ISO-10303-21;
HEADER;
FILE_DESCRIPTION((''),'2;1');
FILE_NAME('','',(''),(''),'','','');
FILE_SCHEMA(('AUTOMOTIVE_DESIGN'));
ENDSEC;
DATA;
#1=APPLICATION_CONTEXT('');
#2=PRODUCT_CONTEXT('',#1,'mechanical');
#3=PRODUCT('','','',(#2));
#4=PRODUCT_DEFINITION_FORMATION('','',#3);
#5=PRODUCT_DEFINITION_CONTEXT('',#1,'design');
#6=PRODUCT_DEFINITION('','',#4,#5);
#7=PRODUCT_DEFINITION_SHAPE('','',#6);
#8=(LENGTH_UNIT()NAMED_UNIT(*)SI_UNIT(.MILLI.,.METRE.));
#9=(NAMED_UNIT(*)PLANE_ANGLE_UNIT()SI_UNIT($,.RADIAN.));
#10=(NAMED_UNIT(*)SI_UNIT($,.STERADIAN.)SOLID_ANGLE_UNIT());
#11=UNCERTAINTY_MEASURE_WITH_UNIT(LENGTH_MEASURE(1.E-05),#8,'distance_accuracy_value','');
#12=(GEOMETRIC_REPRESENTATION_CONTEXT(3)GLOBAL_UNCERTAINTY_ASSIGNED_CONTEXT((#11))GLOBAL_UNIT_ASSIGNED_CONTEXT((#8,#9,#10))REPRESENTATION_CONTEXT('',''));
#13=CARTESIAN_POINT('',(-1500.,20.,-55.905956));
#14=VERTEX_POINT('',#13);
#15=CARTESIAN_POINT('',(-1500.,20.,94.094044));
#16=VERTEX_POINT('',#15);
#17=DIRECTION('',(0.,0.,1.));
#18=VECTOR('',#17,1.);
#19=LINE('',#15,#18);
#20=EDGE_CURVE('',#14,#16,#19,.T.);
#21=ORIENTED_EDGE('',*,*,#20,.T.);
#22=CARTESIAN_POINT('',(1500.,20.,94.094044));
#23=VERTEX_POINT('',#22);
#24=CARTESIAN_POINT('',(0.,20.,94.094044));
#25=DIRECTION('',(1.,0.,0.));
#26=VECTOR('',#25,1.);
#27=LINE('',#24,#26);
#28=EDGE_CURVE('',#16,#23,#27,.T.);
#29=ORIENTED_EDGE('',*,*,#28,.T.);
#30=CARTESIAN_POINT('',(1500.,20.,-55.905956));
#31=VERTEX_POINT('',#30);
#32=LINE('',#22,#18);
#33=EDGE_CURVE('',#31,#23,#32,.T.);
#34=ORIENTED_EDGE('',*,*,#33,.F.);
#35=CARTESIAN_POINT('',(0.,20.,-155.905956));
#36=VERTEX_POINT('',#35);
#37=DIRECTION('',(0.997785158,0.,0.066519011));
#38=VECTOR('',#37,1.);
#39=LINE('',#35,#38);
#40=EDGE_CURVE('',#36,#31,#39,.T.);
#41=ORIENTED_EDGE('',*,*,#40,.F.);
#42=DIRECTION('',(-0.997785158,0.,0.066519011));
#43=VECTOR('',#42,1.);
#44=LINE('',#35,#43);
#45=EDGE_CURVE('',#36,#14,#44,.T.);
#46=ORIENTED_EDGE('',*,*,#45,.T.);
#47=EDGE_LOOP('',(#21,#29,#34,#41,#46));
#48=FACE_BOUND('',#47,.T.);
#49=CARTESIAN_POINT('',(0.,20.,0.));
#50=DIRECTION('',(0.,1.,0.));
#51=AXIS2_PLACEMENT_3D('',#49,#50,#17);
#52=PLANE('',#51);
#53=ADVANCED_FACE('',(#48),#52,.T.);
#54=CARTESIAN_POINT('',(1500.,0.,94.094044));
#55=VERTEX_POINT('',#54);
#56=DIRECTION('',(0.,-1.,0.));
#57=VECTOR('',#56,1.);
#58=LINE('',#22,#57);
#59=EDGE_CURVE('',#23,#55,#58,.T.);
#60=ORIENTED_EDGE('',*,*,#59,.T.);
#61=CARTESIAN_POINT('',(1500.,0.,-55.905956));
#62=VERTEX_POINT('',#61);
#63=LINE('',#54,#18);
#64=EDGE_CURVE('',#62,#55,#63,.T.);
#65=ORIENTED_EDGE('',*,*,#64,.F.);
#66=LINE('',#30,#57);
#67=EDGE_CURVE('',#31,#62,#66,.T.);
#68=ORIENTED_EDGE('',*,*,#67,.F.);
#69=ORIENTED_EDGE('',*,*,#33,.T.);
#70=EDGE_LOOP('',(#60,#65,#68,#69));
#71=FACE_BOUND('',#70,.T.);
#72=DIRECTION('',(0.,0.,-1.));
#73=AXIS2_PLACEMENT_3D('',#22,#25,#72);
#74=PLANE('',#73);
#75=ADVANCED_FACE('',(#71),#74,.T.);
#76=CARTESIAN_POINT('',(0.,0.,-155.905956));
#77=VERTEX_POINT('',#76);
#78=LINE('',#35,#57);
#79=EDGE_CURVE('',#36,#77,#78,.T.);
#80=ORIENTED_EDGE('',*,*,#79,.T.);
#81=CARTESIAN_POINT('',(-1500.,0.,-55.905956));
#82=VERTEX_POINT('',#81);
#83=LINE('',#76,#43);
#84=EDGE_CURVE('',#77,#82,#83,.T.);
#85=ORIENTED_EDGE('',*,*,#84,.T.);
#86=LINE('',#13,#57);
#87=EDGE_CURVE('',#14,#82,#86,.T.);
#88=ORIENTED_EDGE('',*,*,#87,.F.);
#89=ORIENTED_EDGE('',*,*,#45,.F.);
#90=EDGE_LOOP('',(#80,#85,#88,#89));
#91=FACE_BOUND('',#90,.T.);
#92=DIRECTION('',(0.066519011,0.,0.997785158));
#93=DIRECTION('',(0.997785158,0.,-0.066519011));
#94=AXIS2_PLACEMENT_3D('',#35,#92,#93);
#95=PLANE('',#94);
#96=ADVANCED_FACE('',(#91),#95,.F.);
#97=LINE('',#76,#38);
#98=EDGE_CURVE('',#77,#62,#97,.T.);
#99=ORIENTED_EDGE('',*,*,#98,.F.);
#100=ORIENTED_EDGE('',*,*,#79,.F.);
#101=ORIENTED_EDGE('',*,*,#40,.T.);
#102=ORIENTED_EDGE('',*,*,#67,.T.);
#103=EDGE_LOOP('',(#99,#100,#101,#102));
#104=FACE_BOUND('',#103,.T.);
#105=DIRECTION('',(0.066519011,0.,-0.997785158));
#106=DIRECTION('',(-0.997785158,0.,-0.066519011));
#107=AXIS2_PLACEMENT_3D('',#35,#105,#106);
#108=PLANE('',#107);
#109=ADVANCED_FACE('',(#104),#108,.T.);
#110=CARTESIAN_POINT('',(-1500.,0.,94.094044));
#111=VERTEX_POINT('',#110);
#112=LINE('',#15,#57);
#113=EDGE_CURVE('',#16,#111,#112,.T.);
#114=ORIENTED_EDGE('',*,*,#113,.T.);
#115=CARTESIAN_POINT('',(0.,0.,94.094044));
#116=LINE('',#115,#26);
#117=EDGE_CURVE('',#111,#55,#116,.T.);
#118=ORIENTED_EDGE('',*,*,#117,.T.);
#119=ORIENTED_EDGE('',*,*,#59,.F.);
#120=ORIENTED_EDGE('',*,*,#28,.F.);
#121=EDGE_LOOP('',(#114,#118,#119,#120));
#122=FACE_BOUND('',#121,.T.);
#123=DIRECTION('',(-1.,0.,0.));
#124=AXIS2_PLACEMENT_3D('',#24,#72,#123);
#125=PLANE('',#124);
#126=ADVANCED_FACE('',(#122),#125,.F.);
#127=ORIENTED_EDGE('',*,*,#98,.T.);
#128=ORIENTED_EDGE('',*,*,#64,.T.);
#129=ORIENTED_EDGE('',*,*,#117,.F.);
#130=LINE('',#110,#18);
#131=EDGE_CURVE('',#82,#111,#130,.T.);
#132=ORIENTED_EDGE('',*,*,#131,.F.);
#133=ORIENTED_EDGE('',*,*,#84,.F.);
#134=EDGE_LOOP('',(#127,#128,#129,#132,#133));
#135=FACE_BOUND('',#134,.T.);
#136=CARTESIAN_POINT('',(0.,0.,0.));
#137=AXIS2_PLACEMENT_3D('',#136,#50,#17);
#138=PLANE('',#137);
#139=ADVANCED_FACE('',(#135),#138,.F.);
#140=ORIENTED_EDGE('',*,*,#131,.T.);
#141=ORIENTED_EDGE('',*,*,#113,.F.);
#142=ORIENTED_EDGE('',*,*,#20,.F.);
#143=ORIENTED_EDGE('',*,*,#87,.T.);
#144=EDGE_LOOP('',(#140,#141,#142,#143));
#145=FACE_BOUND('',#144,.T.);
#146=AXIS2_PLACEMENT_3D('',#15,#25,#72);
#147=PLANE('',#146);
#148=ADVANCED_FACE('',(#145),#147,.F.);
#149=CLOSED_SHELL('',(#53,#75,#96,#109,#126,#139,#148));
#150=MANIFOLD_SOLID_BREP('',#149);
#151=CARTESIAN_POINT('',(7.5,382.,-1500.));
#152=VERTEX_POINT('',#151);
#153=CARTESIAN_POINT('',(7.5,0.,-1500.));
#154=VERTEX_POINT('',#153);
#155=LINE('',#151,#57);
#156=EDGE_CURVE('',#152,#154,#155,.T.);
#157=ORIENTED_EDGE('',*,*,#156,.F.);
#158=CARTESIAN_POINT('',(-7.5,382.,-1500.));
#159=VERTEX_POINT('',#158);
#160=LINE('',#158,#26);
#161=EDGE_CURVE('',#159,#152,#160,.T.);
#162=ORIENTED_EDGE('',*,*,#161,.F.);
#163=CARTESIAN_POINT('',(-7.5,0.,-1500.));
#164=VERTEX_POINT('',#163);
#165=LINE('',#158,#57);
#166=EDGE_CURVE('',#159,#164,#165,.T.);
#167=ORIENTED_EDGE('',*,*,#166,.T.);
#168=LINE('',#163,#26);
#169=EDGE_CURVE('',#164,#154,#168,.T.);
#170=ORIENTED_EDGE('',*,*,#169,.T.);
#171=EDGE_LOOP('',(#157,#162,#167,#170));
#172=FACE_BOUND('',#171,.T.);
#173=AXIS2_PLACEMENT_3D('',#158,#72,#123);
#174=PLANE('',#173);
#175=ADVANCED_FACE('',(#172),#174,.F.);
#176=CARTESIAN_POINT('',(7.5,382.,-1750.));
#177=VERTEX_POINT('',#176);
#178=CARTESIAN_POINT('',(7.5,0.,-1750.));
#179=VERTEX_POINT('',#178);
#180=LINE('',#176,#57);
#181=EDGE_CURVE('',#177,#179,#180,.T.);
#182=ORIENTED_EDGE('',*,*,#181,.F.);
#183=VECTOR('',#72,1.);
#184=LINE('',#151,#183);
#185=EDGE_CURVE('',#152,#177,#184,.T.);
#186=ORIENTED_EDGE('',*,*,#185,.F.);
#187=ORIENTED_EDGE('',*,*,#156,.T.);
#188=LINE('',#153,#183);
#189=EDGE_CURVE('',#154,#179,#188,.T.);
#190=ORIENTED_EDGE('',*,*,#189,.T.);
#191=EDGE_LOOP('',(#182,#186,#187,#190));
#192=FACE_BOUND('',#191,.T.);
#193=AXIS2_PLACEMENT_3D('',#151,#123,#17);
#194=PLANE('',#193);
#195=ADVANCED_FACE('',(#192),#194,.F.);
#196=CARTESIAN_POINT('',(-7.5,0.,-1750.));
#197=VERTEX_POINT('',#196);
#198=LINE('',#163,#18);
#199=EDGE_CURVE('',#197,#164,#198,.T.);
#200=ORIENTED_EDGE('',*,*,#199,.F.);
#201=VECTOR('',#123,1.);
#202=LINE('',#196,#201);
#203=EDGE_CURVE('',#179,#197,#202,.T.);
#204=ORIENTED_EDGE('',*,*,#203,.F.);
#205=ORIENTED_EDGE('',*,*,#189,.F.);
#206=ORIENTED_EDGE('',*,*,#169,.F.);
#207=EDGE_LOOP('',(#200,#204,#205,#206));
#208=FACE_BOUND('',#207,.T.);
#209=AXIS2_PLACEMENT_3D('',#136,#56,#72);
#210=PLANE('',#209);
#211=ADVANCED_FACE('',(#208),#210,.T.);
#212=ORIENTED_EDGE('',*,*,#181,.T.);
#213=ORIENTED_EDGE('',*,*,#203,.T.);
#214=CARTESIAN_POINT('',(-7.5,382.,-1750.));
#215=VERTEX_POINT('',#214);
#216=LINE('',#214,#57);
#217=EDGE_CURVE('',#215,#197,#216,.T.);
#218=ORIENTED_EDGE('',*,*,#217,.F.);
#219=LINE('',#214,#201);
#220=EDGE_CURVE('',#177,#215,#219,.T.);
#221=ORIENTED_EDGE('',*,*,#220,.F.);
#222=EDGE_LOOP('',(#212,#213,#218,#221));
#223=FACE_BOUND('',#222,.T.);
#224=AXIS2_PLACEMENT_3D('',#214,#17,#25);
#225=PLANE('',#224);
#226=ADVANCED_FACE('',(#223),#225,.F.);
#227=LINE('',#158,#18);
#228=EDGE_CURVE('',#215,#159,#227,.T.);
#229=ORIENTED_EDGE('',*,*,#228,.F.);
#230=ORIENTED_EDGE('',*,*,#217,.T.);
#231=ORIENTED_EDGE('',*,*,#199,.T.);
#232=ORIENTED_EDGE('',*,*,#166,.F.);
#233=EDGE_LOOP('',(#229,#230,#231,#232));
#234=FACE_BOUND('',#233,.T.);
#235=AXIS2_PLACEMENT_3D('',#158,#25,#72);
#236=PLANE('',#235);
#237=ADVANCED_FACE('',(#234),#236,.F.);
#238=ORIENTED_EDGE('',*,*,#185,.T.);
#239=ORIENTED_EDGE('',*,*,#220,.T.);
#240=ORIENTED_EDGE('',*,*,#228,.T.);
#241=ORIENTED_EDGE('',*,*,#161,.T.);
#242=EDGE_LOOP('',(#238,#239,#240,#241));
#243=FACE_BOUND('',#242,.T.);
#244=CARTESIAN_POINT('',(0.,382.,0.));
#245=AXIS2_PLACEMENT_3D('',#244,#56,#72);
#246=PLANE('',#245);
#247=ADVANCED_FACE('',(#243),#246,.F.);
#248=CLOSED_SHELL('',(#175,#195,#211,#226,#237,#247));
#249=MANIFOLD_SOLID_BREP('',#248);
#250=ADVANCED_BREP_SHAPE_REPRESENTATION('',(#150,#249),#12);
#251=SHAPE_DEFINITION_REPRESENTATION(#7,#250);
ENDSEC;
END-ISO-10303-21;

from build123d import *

# Parameters (mm, degrees)
BOSS_EXTRUDE3_DEPTH = 20
SKETCH3_W           = 15
SKETCH3_H           = 250
BOSS_EXTRUDE4_DEPTH = 382


with BuildPart() as part:
    # Sketch2 → Boss-Extrude3 (new body)
    with BuildSketch(Plane(origin=(0, 0, 0), x_dir=(1, 0, 0), z_dir=(0, 1, 0))):
        Polygon((0, -94.094043726), (-1500, -94.094043726), (-1500, 55.905956274), (0, 155.905956274), align=None)
    boss_extrude3 = extrude(amount=BOSS_EXTRUDE3_DEPTH)

    # Mirror1: Boss-Extrude3 across plane
    add(boss_extrude3.mirror(Plane(origin=(0, 20, 94.094043726), x_dir=(0, 0, 1), z_dir=(-1, 0, 0))))


with BuildPart() as body_2:
    # Sketch3 → Boss-Extrude4 (new body)
    with BuildSketch(Plane(origin=(0, 0, 0), x_dir=(1, 0, 0), z_dir=(0, 1, 0))):
        with Locations((0, 1625)):
            Rectangle(SKETCH3_W, SKETCH3_H)
    extrude(amount=BOSS_EXTRUDE4_DEPTH)


solid = Compound([part.part, body_2.part])
